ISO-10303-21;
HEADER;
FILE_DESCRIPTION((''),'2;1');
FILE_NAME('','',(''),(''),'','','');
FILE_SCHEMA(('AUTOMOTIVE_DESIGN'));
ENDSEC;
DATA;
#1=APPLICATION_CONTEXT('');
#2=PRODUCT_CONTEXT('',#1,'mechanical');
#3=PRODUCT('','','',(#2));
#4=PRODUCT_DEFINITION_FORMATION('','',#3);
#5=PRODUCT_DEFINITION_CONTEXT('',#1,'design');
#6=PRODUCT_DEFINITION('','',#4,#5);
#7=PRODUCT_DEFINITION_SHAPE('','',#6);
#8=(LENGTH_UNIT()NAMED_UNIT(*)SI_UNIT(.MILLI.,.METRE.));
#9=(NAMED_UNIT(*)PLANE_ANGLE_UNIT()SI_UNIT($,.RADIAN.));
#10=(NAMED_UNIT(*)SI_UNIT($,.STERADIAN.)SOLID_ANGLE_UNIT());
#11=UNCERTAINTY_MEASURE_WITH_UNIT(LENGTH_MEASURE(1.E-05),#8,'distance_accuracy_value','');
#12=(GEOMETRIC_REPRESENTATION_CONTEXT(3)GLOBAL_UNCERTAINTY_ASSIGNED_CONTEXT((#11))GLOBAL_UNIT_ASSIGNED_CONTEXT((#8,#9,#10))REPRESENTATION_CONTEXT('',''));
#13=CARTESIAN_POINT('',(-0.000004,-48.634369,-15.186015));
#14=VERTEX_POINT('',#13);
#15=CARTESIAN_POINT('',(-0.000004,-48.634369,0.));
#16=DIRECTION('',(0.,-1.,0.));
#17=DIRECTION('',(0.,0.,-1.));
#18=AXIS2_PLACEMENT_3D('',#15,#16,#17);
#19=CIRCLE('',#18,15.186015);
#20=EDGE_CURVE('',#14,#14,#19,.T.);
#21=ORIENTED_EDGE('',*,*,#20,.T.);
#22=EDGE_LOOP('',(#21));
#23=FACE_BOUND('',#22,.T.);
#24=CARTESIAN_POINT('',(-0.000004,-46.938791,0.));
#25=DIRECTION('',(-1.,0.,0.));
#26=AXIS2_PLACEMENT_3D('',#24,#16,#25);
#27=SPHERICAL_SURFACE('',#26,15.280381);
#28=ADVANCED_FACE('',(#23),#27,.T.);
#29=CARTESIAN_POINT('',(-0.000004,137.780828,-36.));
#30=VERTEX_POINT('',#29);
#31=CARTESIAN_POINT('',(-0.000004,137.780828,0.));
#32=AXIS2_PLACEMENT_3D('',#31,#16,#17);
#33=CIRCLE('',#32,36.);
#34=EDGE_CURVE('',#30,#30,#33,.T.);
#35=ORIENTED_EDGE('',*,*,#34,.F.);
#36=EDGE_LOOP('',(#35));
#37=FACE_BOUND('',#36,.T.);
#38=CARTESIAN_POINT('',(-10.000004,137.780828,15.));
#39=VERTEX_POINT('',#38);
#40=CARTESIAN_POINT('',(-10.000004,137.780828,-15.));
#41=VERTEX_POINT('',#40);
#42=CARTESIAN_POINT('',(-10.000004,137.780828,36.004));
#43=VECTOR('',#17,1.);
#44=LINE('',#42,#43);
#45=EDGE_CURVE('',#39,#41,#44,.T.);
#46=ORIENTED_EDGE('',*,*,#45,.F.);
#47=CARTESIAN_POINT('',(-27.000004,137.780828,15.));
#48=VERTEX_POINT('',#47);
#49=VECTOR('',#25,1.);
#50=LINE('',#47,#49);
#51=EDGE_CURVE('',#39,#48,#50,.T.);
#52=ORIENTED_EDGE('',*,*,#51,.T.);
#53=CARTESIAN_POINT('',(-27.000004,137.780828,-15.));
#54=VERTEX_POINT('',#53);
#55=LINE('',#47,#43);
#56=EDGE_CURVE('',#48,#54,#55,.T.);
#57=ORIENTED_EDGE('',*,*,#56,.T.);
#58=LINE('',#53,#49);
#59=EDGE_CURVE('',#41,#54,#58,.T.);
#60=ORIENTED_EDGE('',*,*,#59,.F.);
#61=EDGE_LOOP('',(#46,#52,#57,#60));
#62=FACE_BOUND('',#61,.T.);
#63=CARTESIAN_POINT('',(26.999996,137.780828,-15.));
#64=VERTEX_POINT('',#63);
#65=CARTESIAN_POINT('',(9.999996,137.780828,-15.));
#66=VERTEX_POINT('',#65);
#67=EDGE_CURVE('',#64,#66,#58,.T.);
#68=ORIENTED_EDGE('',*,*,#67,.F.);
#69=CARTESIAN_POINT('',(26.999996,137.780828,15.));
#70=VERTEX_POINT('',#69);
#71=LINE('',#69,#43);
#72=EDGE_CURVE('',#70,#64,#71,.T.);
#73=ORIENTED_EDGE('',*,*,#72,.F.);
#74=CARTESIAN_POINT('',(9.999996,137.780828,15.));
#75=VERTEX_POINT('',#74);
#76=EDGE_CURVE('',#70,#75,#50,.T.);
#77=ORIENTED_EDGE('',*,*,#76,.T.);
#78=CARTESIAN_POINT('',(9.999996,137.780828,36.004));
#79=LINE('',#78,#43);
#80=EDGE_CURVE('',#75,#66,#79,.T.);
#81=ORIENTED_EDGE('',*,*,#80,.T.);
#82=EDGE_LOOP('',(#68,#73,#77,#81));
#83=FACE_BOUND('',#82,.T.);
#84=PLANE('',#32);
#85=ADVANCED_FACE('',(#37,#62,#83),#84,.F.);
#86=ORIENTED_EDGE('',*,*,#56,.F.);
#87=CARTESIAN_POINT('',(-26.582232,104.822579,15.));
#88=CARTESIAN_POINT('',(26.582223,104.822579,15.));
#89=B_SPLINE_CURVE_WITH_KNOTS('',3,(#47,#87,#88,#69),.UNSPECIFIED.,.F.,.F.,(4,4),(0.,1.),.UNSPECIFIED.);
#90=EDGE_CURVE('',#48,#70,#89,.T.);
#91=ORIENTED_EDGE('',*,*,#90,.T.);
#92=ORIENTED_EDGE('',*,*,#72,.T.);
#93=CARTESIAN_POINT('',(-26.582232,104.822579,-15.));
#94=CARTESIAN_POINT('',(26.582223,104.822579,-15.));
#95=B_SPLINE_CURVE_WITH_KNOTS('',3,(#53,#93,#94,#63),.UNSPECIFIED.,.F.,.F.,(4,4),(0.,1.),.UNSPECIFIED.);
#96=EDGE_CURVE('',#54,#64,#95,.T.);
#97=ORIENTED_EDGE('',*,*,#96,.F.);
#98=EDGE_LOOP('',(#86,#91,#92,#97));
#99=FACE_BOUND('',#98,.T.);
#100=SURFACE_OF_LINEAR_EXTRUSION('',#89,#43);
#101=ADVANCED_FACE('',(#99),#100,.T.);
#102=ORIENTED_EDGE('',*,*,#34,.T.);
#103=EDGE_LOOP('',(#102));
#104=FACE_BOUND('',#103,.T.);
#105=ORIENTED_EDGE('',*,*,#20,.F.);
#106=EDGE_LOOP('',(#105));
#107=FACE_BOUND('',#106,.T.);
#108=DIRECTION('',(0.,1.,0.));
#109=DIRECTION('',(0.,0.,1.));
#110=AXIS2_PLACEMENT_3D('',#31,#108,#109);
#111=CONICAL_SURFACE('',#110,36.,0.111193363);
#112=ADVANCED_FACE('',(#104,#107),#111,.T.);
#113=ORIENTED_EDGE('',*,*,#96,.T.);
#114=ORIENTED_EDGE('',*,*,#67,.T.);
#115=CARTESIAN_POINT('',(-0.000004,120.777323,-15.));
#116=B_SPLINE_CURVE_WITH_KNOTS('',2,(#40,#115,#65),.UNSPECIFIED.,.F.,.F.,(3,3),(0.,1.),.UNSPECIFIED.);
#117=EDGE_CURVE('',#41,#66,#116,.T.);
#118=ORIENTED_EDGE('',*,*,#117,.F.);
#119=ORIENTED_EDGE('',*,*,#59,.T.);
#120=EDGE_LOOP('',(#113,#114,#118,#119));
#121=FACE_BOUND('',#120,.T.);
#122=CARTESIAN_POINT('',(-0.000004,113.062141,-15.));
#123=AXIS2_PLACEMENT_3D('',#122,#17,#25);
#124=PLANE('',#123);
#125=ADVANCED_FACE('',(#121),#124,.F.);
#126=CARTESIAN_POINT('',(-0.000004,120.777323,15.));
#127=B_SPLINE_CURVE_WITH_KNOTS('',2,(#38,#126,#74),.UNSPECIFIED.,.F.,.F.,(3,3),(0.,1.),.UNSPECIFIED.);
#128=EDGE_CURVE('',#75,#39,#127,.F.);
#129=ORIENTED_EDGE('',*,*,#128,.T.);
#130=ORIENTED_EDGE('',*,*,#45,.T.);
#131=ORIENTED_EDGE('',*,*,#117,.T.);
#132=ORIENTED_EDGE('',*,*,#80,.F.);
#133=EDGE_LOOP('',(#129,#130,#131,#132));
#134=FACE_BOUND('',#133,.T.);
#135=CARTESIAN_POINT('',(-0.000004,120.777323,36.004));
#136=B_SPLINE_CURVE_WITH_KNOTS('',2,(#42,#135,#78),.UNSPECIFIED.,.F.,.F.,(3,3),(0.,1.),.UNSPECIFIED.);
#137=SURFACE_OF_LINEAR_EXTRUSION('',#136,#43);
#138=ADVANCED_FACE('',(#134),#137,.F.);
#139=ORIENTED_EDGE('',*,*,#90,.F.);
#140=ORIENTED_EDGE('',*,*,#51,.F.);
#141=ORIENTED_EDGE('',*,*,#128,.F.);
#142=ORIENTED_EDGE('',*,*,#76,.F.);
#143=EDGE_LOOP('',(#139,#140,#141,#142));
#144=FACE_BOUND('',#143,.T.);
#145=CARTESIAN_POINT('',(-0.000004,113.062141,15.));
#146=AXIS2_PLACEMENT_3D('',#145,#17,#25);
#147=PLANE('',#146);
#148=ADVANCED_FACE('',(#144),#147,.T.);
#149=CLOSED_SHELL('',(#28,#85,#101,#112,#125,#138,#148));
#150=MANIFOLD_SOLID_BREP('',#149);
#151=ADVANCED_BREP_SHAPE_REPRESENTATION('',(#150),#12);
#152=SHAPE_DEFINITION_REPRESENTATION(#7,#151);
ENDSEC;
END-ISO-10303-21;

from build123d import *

# Parameters (mm, degrees)
ENL_V_MAT_EXTRU_1_DEPTH      = 7.5
ENL_V_MAT_EXTRU_1_DEPTH_BACK = 7.5
BOSS_EXTRU_1_REACH           = 27.5
ECHELLE1_SCALE               = 2


with BuildPart() as part:
    # Esquisse1 → R_volution1 (revolve)
    with BuildSketch(Plane.XY):
        with BuildLine():
            Line((0, 0), (0, 100))
            Line((0, 100), (-18, 100))
            Line((-18, 100), (-7.593007693, 6.792401612))
            ThreePointArc((-7.593007693, 6.792401612), (-5.093880777, 1.945904787), (0, 0))
        make_face()
    revolve(axis=Axis((0, 0, 0), (0, 1, 0)))

    # Esquisse2 → Enl_v. mat.-Extru.1 (cut, two sides)
    with BuildSketch(Plane.XY) as enl_v_mat_extru_1_sk:
        with BuildLine():
            Line((-13.5, 100), (13.5, 100))
            add(Edge.make_bspline(
                [(-13.5, 100), (-13.291113541, 83.520875666), (13.291113541, 83.520875666), (13.5, 100)],
                knots=[0, 0, 0, 0, 1, 1, 1, 1], degree=3))
        make_face()
    extrude(amount=ENL_V_MAT_EXTRU_1_DEPTH, mode=Mode.SUBTRACT)
    extrude(enl_v_mat_extru_1_sk.sketch, amount=-ENL_V_MAT_EXTRU_1_DEPTH_BACK, mode=Mode.SUBTRACT)

    # Esquisse3 → Boss.-Extru.1 (add, up to next)
    with BuildSketch(Plane.XY.offset(-7.5), mode=Mode.PRIVATE) as boss_extru_1_sk1:
        with BuildLine():
            Line((-5, 100), (5, 100))
            add(Edge.make_bspline(
                [(-5, 100), (0, 91.498247822), (5, 100)],
                knots=[0, 0, 0, 1, 1, 1], degree=2))
        make_face()
    boss_extru_1_tool1 = extrude(boss_extru_1_sk1.sketch, amount=BOSS_EXTRU_1_REACH, mode=Mode.PRIVATE) - part.part
    add(boss_extru_1_tool1.solids().sort_by_distance((0, 98.29965, -7.5))[0])


with BuildPart() as part_1:
    # Echelle1: scaled about (-4e-09, 62.219241992, 3e-09)
    add(part.part.scale(ECHELLE1_SCALE).moved(Location((4e-09, -62.219241992, -3e-09))))


solid = part_1.part
